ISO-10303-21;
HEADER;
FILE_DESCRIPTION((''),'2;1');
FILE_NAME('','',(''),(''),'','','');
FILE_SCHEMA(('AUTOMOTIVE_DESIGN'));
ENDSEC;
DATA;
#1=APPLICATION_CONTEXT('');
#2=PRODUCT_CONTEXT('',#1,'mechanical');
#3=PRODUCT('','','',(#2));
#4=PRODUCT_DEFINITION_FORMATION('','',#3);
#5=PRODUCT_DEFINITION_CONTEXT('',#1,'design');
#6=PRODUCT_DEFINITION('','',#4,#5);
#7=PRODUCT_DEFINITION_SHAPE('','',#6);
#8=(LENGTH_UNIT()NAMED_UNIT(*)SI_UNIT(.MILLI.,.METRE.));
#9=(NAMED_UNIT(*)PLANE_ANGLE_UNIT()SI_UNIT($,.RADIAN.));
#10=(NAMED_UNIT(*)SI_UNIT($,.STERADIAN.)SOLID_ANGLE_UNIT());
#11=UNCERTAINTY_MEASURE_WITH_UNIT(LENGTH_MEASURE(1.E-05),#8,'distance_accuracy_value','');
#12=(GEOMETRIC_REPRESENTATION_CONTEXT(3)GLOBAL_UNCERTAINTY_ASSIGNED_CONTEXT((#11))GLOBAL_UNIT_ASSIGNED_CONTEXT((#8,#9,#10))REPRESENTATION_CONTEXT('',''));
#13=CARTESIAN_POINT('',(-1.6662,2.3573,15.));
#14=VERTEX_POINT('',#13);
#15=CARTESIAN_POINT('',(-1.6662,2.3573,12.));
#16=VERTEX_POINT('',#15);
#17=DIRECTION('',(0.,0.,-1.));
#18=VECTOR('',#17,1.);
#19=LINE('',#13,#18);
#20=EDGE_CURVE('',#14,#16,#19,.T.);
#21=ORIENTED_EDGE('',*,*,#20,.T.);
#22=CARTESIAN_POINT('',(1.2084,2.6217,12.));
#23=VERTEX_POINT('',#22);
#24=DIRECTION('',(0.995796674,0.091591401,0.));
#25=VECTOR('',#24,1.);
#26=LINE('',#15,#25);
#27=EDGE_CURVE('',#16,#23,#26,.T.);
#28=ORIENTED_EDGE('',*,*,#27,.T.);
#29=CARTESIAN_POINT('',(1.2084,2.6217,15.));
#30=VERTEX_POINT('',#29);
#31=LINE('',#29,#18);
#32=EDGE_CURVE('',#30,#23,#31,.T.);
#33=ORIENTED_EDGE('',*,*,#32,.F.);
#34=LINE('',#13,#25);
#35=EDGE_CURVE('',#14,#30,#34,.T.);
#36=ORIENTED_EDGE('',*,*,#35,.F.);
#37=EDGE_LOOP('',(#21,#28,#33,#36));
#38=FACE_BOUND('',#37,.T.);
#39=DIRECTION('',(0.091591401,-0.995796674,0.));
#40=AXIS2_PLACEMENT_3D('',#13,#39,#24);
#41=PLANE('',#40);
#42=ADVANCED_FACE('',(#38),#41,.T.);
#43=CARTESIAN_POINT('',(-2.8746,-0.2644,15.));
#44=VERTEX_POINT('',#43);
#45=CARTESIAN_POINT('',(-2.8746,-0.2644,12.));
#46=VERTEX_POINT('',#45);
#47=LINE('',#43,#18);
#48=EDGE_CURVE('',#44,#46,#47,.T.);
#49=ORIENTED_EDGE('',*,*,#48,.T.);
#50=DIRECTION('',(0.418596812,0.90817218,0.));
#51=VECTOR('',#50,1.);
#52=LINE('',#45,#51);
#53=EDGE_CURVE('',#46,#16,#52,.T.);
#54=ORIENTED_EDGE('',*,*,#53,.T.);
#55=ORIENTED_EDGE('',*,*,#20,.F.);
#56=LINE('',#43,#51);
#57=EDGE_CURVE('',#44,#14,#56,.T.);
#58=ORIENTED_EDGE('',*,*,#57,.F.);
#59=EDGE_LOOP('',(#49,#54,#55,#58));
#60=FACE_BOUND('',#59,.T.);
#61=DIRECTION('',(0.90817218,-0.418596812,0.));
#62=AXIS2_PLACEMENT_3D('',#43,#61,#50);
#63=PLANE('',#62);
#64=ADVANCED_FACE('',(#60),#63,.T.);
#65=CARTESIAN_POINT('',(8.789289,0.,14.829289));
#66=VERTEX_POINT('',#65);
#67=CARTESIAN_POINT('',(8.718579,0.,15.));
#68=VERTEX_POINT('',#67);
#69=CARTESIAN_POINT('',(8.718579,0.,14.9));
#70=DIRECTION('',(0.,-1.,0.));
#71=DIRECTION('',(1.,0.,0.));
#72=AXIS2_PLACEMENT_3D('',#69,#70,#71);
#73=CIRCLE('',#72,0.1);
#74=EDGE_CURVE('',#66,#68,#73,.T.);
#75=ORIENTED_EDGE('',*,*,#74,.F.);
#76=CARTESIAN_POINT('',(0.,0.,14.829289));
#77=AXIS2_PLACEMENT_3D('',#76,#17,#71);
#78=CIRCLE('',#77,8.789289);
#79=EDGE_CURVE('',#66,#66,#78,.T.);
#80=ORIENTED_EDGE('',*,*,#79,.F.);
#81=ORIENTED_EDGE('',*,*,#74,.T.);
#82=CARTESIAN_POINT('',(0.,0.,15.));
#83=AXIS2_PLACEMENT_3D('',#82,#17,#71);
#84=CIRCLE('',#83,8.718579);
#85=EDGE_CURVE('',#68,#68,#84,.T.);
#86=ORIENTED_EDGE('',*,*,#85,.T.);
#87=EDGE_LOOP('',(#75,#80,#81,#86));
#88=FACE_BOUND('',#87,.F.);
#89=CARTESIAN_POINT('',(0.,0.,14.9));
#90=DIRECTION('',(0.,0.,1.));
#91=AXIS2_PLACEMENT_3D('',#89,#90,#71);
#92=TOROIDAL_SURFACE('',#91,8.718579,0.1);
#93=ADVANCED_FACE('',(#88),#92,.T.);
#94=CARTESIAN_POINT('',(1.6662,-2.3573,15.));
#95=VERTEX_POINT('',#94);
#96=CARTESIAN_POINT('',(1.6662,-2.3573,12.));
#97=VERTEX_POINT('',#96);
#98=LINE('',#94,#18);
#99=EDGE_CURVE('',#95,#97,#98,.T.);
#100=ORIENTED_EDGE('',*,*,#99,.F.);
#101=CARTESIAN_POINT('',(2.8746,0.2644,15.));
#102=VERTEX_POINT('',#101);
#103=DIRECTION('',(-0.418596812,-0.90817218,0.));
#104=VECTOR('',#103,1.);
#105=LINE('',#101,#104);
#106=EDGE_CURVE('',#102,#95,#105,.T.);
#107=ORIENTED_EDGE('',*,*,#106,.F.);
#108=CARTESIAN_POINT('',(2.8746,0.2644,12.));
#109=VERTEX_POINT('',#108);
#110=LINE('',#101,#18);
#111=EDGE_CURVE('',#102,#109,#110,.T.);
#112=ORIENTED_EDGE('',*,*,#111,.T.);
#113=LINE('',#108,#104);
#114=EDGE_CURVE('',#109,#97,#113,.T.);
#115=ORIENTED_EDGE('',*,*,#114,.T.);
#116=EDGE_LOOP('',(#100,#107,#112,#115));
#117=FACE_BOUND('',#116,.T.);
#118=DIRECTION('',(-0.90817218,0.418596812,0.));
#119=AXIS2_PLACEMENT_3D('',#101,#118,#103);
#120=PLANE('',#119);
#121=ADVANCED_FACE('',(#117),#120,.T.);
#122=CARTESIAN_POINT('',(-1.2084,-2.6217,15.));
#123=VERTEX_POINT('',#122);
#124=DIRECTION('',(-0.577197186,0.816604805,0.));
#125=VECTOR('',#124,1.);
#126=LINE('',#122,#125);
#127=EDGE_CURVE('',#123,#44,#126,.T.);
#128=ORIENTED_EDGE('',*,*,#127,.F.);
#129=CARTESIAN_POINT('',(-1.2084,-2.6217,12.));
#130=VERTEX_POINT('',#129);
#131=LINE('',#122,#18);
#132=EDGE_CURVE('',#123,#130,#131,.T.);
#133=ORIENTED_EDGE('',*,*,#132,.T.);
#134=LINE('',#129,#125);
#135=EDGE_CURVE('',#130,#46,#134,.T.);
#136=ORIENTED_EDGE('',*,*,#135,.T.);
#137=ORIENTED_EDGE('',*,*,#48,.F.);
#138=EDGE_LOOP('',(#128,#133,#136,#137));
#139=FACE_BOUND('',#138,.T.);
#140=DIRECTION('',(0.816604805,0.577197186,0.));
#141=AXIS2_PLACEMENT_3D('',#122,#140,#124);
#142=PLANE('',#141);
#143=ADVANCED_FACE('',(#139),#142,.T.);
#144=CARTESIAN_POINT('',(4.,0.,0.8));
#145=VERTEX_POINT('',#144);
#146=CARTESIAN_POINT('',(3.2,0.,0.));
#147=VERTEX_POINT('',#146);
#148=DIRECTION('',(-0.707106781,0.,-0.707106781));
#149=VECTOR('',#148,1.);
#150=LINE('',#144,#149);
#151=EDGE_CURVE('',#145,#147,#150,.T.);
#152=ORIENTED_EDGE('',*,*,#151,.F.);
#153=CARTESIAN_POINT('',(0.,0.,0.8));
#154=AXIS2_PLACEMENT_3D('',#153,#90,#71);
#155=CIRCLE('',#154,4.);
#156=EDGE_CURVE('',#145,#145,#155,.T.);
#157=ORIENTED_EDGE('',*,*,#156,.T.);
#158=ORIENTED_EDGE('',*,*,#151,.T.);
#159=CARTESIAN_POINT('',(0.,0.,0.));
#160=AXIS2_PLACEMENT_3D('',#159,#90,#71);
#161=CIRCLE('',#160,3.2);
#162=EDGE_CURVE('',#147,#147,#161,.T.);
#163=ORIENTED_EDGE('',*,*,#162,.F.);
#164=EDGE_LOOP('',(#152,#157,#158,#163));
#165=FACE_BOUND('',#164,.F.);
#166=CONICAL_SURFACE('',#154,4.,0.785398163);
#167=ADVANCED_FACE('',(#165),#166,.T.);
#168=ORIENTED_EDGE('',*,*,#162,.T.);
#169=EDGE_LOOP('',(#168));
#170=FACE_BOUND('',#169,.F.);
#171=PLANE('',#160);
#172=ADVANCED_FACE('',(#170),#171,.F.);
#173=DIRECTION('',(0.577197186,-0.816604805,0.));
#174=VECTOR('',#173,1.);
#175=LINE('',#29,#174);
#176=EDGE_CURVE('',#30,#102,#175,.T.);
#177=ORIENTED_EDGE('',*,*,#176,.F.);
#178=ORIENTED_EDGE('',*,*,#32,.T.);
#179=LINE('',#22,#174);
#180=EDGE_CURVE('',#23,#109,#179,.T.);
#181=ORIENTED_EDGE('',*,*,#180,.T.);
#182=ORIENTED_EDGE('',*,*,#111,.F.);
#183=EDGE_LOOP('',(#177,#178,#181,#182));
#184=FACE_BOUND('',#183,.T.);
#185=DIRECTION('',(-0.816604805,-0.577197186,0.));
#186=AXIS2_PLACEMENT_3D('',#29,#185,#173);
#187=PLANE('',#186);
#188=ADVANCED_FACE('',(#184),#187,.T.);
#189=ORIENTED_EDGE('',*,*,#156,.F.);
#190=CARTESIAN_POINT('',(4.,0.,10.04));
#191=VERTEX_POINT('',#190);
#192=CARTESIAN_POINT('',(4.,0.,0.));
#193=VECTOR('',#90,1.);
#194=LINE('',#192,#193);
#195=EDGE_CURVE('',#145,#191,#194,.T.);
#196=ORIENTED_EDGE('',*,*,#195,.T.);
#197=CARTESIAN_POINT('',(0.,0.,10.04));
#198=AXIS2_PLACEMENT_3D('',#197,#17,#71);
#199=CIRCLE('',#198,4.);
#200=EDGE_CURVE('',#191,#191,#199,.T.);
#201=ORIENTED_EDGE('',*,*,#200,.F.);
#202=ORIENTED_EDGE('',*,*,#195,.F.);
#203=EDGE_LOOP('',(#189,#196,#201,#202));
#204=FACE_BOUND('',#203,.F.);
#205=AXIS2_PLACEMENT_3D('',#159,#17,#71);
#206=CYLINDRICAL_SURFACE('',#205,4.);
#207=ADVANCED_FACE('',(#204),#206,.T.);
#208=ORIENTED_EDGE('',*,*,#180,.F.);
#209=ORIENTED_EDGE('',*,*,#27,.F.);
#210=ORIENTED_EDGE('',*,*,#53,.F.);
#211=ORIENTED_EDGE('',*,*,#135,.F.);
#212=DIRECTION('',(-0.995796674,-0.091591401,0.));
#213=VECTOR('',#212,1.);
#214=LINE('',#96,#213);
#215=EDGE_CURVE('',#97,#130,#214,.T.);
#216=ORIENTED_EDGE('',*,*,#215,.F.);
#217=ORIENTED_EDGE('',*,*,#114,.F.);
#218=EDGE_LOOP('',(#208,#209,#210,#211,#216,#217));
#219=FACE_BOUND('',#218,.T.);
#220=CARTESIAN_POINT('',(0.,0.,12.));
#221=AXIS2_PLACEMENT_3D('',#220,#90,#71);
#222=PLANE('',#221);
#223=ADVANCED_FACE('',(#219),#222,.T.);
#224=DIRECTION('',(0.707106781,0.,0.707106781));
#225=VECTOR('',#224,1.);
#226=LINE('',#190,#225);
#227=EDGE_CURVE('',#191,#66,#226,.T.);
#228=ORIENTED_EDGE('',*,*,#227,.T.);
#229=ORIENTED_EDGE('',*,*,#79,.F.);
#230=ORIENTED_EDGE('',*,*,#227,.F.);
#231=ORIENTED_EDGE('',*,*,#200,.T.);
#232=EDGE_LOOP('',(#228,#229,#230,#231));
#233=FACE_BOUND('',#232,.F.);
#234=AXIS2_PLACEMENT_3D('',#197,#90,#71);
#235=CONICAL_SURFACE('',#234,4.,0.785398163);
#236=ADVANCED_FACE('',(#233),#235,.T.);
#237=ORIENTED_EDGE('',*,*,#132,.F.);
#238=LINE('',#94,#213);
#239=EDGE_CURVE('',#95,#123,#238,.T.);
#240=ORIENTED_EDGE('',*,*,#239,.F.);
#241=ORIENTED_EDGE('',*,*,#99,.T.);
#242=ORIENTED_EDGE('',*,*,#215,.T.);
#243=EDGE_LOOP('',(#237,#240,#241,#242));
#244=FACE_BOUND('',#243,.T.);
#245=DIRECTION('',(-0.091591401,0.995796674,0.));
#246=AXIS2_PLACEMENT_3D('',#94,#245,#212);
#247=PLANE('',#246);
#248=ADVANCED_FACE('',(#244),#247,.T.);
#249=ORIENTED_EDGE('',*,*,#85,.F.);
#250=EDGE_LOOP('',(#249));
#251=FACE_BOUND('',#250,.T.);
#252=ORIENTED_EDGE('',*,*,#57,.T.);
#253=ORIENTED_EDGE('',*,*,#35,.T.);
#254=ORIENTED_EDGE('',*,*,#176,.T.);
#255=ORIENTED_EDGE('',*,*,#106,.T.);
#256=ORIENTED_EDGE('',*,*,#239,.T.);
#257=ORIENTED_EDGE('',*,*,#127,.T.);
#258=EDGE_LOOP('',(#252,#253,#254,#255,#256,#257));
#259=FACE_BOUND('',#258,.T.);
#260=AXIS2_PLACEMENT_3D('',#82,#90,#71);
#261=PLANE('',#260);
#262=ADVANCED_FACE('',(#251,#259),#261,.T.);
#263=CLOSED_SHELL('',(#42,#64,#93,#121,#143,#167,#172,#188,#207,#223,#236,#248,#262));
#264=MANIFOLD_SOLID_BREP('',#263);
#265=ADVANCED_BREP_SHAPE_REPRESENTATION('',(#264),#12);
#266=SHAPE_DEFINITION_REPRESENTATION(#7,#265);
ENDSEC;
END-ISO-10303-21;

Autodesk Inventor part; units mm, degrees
ref_plane "YZ Plane" through (0, 0, 0) normal (1, 0, 0) x (0, 1, 0)
ref_plane "XZ Plane" through (0, 0, 0) normal (0, 1, 0) x (-1, 0, 0)
ref_plane "XY Plane" through (0, 0, 0) normal (0, 0, 1) x (1, 0, 0)
sketch "Sketch1" plane through (0, 0, 0) normal (0, 0, 1) x (1, 0, 0)
  circle A0 centre (0, 0) radius 4
  dimension "Diameter" = 8
extrude "Extrusion1" add sketch "Sketch1" along normal blind 10.04
sketch "Sketch2" plane through (0, 0, 10.04) normal (0, 0, 1) x (1, 0, 0)
  circle A0 centre (0, 0) radius 4 projected
extrude "Extrusion2" add sketch "Sketch2" along normal blind 4.96 draft 45
sketch "Sketch3" plane through (0, 0, 15) normal (0, 0, 1) x (1, 0, 0)
  circle A0 centre (0, 0) radius 8.96 projected
  circle A1 centre (0, 0) radius 2.8868 construction
  line L0 (1.2084, 2.6217) -> (2.8746, 0.2644)
  line L1 (2.8746, 0.2644) -> (1.6662, -2.3573)
  line L2 (1.6662, -2.3573) -> (-1.2084, -2.6217)
  line L3 (-1.2084, -2.6217) -> (-2.8746, -0.2644)
  line L4 (-2.8746, -0.2644) -> (-1.6662, 2.3573)
  line L5 (-1.6662, 2.3573) -> (1.2084, 2.6217)
  dimension "Hex_Width" = 5
extrude "Extrusion3" cut sketch "Sketch3" against normal blind 3 contours L0 L1 L2 L3 L4 L5
thread "Thread1" size "M8x1.25" class "4g6g" standard "ANSI Metric M Profile" length 10.04
chamfer "Chamfer2" distance 0.8 angle 45 1 edges at (-4, 0, 0)
fillet "Fillet1" radius 0.1 1 edges at (-8.96, 0, 15)
equation "\"d10\" = Thread_Length"
equation "\"d13\" = Chamfer"
equation "\"Thread_Length\" = 10.04"
equation "\"Length\" = 15"
equation "\"Chamfer\" = 0.8"
properties part number "SCREW,FLAT HD,P,12.9,M8X1.25X15MM"
